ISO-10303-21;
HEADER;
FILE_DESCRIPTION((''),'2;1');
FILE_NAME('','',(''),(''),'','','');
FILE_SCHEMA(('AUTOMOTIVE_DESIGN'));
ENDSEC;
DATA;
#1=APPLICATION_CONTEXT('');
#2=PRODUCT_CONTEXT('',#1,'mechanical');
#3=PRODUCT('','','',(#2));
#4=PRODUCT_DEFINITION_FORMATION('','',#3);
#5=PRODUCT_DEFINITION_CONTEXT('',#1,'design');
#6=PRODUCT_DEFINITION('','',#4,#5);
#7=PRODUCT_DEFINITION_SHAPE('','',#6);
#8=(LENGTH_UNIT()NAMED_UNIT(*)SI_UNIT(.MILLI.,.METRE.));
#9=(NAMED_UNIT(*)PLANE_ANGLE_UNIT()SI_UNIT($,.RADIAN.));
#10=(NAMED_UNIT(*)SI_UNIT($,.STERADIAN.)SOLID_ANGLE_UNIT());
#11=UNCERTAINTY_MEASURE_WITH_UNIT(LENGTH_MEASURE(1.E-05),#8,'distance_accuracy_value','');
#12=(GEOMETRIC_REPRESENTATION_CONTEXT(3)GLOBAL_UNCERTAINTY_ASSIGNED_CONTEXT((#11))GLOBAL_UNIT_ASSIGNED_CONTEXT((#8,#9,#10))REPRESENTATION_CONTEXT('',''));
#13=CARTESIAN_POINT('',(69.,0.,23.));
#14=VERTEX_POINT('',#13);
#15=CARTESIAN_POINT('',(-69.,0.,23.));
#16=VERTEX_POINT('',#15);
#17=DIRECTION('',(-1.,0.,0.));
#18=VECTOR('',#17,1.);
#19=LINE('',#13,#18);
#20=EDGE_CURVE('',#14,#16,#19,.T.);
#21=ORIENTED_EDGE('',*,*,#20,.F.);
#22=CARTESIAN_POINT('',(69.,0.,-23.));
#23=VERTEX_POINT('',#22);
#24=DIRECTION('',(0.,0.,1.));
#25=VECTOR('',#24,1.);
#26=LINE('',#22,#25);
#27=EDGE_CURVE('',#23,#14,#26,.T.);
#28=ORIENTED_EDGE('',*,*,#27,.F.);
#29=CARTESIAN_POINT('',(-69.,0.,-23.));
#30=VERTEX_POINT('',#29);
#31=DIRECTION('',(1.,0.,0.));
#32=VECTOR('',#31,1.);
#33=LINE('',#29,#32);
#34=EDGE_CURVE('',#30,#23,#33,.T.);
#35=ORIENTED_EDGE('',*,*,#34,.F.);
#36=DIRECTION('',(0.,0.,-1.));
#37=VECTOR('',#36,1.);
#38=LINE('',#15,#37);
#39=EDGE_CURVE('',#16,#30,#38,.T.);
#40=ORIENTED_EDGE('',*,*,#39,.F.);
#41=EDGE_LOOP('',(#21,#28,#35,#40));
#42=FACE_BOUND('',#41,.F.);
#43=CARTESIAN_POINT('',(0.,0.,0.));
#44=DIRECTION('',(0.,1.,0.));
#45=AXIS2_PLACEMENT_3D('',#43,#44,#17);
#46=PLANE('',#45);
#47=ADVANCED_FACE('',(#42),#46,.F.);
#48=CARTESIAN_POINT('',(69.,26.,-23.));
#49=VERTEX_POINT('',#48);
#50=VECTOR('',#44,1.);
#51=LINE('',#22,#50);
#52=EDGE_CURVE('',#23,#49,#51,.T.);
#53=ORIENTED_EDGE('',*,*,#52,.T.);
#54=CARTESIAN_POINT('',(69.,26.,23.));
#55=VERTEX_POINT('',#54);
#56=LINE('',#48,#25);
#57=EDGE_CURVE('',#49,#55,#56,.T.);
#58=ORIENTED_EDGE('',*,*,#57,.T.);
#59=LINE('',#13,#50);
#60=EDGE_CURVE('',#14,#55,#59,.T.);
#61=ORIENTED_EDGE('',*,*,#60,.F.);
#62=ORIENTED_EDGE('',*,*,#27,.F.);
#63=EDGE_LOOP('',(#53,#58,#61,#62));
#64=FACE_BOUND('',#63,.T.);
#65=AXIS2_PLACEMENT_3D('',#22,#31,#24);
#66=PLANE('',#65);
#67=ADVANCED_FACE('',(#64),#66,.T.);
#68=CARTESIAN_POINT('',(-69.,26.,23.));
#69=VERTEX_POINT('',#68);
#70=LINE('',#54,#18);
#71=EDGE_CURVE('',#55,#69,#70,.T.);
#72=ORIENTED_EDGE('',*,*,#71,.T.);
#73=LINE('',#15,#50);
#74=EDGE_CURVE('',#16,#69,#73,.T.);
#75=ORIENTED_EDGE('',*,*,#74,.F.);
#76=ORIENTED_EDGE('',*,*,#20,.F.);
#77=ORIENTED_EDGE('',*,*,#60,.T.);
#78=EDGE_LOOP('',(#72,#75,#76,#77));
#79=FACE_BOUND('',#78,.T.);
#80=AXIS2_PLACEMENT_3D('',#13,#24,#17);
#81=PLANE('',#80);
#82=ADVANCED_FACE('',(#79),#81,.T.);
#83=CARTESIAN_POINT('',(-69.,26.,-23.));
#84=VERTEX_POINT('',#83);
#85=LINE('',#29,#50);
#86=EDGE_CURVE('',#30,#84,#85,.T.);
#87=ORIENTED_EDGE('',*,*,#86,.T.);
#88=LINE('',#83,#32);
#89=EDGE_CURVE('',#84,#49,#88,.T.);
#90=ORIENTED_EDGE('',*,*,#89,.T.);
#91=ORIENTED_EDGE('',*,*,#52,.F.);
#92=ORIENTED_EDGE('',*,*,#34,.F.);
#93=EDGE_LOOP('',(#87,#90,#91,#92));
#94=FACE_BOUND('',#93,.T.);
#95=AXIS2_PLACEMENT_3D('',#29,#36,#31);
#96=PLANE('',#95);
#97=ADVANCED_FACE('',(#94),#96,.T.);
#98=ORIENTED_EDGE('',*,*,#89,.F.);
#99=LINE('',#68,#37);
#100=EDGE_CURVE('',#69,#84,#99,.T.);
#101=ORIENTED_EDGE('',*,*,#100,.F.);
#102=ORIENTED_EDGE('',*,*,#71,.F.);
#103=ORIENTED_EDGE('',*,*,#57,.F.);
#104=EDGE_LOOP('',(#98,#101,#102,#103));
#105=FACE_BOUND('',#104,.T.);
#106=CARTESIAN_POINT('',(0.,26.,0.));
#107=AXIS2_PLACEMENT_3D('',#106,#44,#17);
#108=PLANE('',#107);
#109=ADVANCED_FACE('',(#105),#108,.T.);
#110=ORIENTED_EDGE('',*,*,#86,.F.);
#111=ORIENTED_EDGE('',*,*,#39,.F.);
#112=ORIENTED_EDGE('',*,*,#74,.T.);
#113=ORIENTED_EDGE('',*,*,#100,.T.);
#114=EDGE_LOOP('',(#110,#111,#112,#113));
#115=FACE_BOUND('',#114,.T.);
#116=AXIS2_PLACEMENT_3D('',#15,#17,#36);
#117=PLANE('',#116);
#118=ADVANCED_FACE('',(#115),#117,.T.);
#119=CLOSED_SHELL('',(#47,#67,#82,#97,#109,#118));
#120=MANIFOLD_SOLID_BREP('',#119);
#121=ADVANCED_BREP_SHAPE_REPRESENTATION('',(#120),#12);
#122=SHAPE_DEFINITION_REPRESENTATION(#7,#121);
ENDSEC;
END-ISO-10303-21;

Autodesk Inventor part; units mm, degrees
ref_plane "YZ Plane" through (0, 0, 0) normal (1, 0, 0) x (0, 1, 0)
ref_plane "XZ Plane" through (0, 0, 0) normal (0, 1, 0) x (-1, 0, 0)
ref_plane "XY Plane" through (0, 0, 0) normal (0, 0, 1) x (1, 0, 0)
sketch "Sketch1" plane through (0, 0, 0) normal (0, 1, 0) x (-1, 0, 0)
  line L0 (-69, 23) -> (69, 23)
  line L1 (69, 23) -> (69, -23)
  line L2 (69, -23) -> (-69, -23)
  line L3 (-69, -23) -> (-69, 23)
  line L4 (-69, 23) -> (69, -23) construction
  line L5 (69, 23) -> (-69, -23) construction
  point P0 (0, 0)
  dimension "d0" = 138
  dimension "d1" = 46
extrude "Extrusion1" add sketch "Sketch1" along normal blind 26
properties part number "battery"
